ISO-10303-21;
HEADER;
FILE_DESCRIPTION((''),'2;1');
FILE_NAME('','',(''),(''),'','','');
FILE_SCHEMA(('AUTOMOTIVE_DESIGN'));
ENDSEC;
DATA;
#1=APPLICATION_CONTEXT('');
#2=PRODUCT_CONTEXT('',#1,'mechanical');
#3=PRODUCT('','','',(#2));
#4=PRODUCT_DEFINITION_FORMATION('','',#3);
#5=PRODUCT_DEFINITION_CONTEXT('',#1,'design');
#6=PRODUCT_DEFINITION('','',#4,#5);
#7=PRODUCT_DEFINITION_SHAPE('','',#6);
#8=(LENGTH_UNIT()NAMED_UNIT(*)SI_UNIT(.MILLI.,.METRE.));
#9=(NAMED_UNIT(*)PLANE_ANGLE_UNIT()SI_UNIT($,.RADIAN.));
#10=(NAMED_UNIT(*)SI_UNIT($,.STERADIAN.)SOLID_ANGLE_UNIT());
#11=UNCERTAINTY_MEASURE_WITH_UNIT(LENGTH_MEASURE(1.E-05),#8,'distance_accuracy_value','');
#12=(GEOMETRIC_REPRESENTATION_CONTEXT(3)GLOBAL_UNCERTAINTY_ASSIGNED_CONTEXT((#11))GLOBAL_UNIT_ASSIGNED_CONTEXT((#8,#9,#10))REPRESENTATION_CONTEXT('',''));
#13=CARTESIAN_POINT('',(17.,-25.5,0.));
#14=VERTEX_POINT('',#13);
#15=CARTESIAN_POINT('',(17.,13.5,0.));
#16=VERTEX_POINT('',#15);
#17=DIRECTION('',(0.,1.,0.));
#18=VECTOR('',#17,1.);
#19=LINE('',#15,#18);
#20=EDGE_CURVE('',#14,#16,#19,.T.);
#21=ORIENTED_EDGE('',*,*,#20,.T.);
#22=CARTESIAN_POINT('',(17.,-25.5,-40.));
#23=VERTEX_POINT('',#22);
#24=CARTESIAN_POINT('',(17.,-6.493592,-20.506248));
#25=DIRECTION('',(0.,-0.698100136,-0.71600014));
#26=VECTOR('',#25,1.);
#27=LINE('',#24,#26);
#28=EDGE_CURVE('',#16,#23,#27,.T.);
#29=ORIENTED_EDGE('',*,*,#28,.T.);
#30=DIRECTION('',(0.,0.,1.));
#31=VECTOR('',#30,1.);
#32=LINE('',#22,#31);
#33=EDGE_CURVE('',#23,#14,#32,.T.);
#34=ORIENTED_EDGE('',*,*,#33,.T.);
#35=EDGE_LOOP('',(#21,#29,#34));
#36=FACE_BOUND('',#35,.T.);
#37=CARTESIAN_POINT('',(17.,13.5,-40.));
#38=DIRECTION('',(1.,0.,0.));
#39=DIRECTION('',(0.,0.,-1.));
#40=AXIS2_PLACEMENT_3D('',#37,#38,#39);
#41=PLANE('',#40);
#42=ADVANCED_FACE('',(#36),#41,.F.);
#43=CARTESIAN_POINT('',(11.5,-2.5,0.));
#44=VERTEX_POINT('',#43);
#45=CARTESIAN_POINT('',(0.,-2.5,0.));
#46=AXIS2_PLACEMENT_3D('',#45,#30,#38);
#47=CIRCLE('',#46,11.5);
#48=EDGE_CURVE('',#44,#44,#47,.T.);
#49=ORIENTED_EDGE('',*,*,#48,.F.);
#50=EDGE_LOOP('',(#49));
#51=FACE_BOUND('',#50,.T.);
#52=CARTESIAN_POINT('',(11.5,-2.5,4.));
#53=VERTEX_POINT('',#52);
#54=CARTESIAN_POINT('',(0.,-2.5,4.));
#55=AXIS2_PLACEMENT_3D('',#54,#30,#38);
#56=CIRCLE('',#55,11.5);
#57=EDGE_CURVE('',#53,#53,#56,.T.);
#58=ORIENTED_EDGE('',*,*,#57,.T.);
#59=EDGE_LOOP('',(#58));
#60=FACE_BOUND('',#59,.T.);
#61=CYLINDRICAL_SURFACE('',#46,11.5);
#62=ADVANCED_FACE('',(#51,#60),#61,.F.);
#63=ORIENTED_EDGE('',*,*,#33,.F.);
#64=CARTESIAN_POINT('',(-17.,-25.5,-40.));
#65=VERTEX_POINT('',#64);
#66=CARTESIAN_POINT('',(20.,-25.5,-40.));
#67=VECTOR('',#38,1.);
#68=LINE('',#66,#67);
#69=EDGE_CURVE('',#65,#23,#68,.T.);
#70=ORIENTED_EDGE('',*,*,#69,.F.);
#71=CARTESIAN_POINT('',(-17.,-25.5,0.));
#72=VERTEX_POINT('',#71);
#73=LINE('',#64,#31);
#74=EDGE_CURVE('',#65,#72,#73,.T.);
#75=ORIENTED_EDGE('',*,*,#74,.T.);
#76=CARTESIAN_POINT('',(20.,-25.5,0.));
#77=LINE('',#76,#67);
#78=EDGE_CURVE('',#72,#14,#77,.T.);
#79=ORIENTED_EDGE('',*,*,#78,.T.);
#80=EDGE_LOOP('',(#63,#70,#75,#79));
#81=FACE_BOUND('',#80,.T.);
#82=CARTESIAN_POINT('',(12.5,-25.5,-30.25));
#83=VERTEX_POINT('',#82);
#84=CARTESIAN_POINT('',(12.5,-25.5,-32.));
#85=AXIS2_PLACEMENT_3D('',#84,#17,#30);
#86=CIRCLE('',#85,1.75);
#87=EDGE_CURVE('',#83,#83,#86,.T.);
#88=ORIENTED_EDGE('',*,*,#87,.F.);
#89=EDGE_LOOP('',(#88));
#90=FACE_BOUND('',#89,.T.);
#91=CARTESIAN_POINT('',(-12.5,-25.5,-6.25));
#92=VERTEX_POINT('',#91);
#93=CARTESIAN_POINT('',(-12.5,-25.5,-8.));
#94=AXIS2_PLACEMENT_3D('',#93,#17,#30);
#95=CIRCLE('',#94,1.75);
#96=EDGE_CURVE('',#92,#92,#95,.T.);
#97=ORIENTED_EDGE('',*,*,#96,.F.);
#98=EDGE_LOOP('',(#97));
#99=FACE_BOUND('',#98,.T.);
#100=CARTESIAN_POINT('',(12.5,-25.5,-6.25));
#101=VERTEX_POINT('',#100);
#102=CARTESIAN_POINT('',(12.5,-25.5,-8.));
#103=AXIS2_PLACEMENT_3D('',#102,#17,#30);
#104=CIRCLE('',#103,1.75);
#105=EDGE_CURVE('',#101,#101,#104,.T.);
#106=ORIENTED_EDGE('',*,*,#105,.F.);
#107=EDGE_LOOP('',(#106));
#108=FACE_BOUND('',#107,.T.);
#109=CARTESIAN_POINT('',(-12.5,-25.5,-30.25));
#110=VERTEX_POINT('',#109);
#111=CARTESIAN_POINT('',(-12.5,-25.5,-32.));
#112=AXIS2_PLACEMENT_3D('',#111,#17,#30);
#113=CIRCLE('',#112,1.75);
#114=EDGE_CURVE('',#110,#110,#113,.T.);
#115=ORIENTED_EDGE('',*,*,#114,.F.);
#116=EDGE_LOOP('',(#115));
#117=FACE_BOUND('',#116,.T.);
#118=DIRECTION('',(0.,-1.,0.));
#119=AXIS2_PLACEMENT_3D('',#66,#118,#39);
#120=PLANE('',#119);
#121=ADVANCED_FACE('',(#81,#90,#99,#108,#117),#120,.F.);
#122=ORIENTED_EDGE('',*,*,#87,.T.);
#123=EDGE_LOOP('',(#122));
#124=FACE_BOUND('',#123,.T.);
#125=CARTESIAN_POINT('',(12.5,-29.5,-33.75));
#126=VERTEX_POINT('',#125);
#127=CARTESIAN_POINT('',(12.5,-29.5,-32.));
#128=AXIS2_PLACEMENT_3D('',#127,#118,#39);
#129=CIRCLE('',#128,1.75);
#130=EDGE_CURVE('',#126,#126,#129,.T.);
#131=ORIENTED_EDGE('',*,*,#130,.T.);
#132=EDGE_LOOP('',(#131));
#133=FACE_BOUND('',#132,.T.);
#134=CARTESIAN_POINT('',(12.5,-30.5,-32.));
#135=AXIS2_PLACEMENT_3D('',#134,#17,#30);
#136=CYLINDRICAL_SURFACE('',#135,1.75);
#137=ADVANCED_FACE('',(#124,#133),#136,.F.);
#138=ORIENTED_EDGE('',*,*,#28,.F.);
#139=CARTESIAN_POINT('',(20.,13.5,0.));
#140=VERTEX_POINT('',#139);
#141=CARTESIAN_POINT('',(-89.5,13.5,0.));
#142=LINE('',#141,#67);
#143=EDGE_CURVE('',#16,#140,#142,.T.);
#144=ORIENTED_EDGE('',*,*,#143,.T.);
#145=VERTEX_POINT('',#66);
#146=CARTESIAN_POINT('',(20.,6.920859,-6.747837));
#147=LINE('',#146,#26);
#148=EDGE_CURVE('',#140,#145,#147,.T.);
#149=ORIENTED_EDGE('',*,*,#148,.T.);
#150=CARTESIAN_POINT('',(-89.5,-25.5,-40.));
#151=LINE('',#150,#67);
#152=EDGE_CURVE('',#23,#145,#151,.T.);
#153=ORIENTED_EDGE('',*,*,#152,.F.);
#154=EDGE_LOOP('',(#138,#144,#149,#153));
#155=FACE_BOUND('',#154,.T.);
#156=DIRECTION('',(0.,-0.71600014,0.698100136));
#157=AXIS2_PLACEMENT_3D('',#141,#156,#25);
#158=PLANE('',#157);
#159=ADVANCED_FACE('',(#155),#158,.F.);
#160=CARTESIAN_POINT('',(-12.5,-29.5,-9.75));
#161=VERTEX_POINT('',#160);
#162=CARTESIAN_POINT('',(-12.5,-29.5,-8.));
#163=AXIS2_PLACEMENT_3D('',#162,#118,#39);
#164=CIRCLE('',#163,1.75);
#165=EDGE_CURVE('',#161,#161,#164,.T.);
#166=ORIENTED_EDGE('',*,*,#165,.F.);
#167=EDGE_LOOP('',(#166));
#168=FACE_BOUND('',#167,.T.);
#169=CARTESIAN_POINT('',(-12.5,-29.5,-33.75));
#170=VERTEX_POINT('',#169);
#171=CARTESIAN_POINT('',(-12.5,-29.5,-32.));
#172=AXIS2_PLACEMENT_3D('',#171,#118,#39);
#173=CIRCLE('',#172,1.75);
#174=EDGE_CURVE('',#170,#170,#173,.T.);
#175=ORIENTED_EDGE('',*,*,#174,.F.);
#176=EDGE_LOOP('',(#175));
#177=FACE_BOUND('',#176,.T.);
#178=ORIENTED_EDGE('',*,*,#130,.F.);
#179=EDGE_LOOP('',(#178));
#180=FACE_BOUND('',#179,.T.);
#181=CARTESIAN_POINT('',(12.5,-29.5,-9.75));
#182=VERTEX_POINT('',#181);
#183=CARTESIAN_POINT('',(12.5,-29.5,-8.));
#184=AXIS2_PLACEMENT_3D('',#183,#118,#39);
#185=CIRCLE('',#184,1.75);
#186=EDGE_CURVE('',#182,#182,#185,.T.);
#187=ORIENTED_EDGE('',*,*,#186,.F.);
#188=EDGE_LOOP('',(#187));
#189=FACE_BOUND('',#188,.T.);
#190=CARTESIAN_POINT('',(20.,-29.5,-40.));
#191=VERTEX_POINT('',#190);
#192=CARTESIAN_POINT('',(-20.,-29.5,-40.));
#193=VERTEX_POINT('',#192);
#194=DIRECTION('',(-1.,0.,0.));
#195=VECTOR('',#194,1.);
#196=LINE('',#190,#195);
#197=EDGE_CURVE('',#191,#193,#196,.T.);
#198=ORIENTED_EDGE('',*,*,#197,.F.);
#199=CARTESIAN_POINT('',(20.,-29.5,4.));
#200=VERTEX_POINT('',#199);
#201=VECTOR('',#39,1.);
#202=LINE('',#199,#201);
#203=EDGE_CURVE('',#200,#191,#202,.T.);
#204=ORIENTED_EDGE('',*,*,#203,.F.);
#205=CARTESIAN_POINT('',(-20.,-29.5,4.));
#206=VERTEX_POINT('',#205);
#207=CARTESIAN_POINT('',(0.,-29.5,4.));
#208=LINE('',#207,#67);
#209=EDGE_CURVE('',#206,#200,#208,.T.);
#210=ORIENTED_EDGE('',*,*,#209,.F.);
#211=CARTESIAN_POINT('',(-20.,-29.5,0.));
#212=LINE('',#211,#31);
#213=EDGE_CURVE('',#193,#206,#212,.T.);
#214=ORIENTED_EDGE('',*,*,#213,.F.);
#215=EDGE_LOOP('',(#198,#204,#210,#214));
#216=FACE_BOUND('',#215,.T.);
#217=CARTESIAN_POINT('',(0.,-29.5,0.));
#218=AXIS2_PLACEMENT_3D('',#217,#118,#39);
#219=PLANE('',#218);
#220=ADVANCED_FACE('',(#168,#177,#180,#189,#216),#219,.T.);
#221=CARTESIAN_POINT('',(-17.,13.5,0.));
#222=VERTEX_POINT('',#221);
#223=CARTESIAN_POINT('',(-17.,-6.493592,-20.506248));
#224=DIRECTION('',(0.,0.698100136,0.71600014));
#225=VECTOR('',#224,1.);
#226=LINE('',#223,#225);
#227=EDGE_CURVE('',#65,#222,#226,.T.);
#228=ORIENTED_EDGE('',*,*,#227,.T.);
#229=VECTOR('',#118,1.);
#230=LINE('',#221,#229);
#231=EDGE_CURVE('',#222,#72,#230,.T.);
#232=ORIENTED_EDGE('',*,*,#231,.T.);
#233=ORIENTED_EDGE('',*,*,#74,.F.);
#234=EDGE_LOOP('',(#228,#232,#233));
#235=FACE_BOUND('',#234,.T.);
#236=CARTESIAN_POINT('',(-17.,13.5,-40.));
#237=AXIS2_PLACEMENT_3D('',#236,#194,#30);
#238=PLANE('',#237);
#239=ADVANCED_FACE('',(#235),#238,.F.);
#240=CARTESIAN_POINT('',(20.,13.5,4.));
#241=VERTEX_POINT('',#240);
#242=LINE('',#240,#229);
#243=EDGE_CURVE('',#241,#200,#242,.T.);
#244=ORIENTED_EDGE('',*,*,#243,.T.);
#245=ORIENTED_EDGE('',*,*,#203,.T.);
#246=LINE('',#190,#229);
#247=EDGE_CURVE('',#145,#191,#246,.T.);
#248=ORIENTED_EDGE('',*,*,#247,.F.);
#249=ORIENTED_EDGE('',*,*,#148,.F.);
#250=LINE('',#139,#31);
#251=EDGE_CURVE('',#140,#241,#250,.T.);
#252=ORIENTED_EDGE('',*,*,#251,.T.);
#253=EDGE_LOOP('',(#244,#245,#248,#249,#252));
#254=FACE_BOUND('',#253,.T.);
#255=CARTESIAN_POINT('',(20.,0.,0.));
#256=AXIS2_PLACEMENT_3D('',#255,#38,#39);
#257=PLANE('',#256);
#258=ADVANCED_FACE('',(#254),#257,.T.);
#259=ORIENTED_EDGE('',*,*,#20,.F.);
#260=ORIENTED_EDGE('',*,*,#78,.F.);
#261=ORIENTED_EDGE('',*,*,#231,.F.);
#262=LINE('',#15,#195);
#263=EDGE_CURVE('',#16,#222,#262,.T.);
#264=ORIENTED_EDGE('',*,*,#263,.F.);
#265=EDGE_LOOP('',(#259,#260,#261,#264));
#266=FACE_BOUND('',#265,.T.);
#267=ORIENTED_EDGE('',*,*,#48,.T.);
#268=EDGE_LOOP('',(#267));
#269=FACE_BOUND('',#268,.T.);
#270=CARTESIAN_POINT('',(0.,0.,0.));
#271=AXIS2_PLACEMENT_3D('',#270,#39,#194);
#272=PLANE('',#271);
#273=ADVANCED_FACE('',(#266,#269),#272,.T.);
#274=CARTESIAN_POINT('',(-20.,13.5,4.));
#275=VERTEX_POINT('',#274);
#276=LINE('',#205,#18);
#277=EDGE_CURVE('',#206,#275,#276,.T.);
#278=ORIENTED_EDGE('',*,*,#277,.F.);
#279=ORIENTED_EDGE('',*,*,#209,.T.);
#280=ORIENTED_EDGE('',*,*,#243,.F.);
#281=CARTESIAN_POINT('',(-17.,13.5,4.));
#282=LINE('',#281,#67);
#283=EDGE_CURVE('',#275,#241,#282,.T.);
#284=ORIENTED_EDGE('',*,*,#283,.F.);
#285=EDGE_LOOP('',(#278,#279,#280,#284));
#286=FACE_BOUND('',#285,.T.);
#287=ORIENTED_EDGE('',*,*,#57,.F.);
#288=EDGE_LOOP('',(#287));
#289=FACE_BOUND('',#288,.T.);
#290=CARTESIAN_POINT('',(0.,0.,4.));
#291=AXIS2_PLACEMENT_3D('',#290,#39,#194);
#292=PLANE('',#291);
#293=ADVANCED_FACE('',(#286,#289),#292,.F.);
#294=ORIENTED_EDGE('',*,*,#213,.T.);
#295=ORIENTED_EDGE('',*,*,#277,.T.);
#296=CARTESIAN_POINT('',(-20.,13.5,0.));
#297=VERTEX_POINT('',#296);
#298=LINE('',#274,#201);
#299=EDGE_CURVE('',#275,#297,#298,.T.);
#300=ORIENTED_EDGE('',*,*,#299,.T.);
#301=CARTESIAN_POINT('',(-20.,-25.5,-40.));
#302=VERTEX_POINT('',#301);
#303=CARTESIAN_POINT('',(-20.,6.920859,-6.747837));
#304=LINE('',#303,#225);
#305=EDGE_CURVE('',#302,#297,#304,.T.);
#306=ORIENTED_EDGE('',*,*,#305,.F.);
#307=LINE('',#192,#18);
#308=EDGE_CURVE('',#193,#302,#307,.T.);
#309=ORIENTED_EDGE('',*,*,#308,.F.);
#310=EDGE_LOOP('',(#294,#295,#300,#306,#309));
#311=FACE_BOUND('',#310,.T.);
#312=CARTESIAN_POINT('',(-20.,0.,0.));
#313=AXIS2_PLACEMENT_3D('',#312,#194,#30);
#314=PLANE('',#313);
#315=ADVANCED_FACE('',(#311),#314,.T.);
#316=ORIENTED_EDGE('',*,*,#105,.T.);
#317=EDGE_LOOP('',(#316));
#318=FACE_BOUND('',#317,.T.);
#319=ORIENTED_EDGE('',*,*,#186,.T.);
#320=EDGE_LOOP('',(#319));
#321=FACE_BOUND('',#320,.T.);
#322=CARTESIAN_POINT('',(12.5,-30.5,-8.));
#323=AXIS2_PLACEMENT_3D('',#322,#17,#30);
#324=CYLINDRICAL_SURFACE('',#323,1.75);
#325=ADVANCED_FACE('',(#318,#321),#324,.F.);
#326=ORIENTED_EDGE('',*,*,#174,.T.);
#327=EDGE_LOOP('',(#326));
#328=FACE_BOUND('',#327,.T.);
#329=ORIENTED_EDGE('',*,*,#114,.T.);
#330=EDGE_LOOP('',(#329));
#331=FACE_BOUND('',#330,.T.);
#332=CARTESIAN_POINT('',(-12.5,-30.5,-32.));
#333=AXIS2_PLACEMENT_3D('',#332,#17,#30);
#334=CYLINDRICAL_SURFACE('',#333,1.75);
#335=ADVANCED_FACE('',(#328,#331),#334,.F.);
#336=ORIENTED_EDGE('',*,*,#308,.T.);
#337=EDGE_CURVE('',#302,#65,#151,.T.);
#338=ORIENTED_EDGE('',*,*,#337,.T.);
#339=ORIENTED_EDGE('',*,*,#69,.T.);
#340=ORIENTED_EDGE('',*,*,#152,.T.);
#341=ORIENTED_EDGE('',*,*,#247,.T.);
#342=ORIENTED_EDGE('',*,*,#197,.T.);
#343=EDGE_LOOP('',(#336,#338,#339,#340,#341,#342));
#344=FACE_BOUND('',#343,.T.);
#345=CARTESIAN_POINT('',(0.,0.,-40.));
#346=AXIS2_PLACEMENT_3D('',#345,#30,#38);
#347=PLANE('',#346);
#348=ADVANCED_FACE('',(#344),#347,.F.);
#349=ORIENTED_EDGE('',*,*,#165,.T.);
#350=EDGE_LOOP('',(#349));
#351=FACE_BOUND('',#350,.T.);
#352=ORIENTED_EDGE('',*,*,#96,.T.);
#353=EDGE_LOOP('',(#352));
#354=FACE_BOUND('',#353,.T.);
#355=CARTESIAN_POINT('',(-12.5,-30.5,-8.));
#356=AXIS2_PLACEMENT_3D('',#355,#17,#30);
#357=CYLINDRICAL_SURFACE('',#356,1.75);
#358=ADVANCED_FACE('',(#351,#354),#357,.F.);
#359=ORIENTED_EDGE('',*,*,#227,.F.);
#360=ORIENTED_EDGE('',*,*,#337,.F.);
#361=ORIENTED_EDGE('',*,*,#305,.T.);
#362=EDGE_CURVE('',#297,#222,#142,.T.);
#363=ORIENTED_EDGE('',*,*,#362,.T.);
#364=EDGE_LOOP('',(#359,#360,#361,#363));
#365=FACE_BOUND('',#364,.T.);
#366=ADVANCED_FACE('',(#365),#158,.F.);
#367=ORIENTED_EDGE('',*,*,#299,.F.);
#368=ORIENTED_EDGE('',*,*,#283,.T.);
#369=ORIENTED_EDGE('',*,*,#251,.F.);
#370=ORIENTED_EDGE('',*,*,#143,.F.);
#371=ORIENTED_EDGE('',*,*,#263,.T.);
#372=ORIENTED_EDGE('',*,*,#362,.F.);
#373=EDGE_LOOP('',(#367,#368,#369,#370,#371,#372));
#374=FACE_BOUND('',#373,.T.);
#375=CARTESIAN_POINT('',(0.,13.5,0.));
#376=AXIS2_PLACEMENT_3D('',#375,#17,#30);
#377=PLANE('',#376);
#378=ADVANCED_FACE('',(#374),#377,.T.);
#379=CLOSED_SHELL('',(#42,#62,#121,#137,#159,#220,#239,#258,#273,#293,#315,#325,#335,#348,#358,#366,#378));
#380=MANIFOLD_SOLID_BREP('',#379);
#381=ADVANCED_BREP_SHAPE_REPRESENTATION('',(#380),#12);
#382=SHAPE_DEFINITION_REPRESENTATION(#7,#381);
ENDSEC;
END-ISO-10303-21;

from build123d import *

# Parameters (mm, degrees)
SKETCH_1_W           = 34
SKETCH_1_H           = 51
EXTRUDE_1_DEPTH      = 4
SKETCH_2_R           = 11.5
CUT_EXTRUDE_1_DEPTH  = 31.907118921
SKETCH_5_W           = 34
SKETCH_5_H           = 15
EXTRUDE_2_DEPTH      = 4
SKETCH_6_R           = 1.5
CUT_EXTRUDE_3_DEPTH  = 4
SKETCH_12_W          = 34
SKETCH_12_H          = 4
CUT_EXTRUDE_5_DEPTH  = 5
SKETCH_13_W          = 34
SKETCH_13_H          = 4
CUT_EXTRUDE_6_DEPTH  = 7
SKETCH_14_W          = 34
SKETCH_14_H          = 4
EXTRUDE_3_DEPTH      = 33
SKETCH_15_R          = 1.75
CUT_EXTRUDE_7_DEPTH  = 44
EXTRUDE_4_DEPTH      = 3
EXTRUDE_5_DEPTH      = 3
SKETCH_18_R          = 1.75
EXTRUDE_6_DEPTH      = 4
EXTRUDE_7_DEPTH      = 5
SKETCH_20_W          = 63.510352062
SKETCH_20_H          = 72.285945639
CUT_EXTRUDE_10_DEPTH = 67
SKETCH_21_W          = 4
SKETCH_21_H          = 43
EXTRUDE_8_DEPTH      = 3
SKETCH_22_W          = 4
SKETCH_22_H          = 43
EXTRUDE_9_DEPTH      = 3
SKETCH_23_W          = 40
SKETCH_23_H          = 4
EXTRUDE_10_DEPTH     = 40
SKETCH_24_W          = 3
SKETCH_24_H          = 39
EXTRUDE_11_DEPTH     = 40
CUT_EXTRUDE_11_DEPTH = 72.5
SKETCH_26_R          = 1.75
CUT_EXTRUDE_12_DEPTH = 5


with BuildPart() as part:
    # 草图1 → 凸台-拉伸1 (new body)
    with BuildSketch(Plane.XY):
        Rectangle(SKETCH_1_W, SKETCH_1_H)
    extrude(amount=EXTRUDE_1_DEPTH)

    # 草图2 → 切除-拉伸1 (cut, through all)
    with BuildSketch(Plane.XY.offset(4)):
        with Locations((0, -2.5)):
            Circle(SKETCH_2_R)
    extrude(amount=-CUT_EXTRUDE_1_DEPTH, mode=Mode.SUBTRACT)

    # 草图5 → 凸台-拉伸2 (add)
    with BuildSketch(Plane.XZ.offset(25.5)):
        with Locations((0, 7.5)):
            Rectangle(SKETCH_5_W, SKETCH_5_H)
    extrude(amount=EXTRUDE_2_DEPTH)

    # 草图6 → 切除-拉伸3 (cut)
    with BuildSketch(Plane.XZ.offset(29.5)):
        with Locations(Location((13, 7.5, 0), (0, 0, 270))):
            Circle(SKETCH_6_R)
        with Locations(Location((-13, 7.5, 0), (0, 0, 90))):
            Circle(SKETCH_6_R)
    extrude(amount=-CUT_EXTRUDE_3_DEPTH, mode=Mode.SUBTRACT)

    # 草图12 → 切除-拉伸5 (cut)
    with BuildSketch(Plane(origin=(0, 25.5, 0), x_dir=(1, 0, 0), z_dir=(0, 1, 0))):
        with Locations((0, -2)):
            Rectangle(SKETCH_12_W, SKETCH_12_H)
    extrude(amount=-CUT_EXTRUDE_5_DEPTH, mode=Mode.SUBTRACT)

    # 草图13 → 切除-拉伸6 (cut)
    with BuildSketch(Plane(origin=(0, 20.5, 0), x_dir=(1, 0, 0), z_dir=(0, 1, 0))):
        with Locations((0, -2)):
            Rectangle(SKETCH_13_W, SKETCH_13_H)
    extrude(amount=-CUT_EXTRUDE_6_DEPTH, mode=Mode.SUBTRACT)

    # 草图14 → 凸台-拉伸3 (add)
    with BuildSketch(Plane.XY.offset(15)):
        with Locations((0, -27.5)):
            Rectangle(SKETCH_14_W, SKETCH_14_H)
    extrude(amount=EXTRUDE_3_DEPTH)

    # 草图15 → 切除-拉伸7 (cut)
    with BuildSketch(Plane(origin=(0, -25.5, 0), x_dir=(1, 0, 0), z_dir=(0, 1, 0))):
        with Locations(Location((13, -40.5, 0), (0, 0, 270))):
            Circle(SKETCH_15_R)
        with Locations(Location((-13, -40.5, 0), (0, 0, 270))):
            Circle(SKETCH_15_R)
    extrude(amount=-CUT_EXTRUDE_7_DEPTH, mode=Mode.SUBTRACT)

    # 草图16 → 凸台-拉伸4 (add)
    with BuildSketch(Plane.ZY.offset(17)):
        Polygon((4, -25.5), (4, -6), (24, -25.5), align=None)
    extrude(amount=-EXTRUDE_4_DEPTH)

    # 草图17 → 凸台-拉伸5 (add)
    with BuildSketch(Plane(origin=(17, 0, 0), x_dir=(0, 0, -1), z_dir=(1, 0, 0))):
        Polygon((-24, -25.5), (-4, -6), (-4, -25.5), align=None)
    extrude(amount=-EXTRUDE_5_DEPTH)

    # 草图18 → 凸台-拉伸6 (add)
    with BuildSketch(Plane(origin=(0, -25.5, 0), x_dir=(1, 0, 0), z_dir=(0, 1, 0))):
        with BuildLine():
            Line((20.499000769, -32.499999751), (17, -24))
            Line((17, -24), (-17, -24))
            Line((-17, -24), (-20.500999231, -32.499999751))
            Line((-20.500999231, -32.499999751), (-20.500999231, -40.499999751))
            ThreePointArc((-20.500999231, -40.499999751), (-17.718513652, -47.217514172), (-11.000999231, -49.999999751))
            Line((-11.000999231, -49.999999751), (10.999000769, -49.999999751))
            ThreePointArc((10.999000769, -49.999999751), (17.71651519, -47.217514172), (20.499000769, -40.499999751))
            Line((20.499000769, -40.499999751), (20.499000769, -32.499999751))
        make_face()
        with Locations(Location((-13, -40.5, 0), (0, 0, 270))):
            Circle(SKETCH_18_R, mode=Mode.SUBTRACT)
        with Locations(Location((13, -40.5, 0), (0, 0, 270))):
            Circle(SKETCH_18_R, mode=Mode.SUBTRACT)
    extrude(amount=-EXTRUDE_6_DEPTH)

    # 草图19 → 凸台-拉伸7 (add)
    with BuildSketch(Plane(origin=(0, -25.5, 0), x_dir=(1, 0, 0), z_dir=(0, 1, 0))):
        Polygon((-20.500999231, -32.499999751), (-17.500999231, -32.499999751), (-14, -24), (-14, -16), (-17, -16), (-17, -24), align=None)
        Polygon((17, -24), (20.499000769, -32.499999751), (17.499000769, -32.499999751), (14, -24), (14, -16), (17, -16), align=None)
    extrude(amount=EXTRUDE_7_DEPTH)

    # 草图20 → 切除-拉伸10 (cut)
    with BuildSketch(Plane.XY.offset(4)):
        with Locations((0, -7.757033155)):
            Rectangle(SKETCH_20_W, SKETCH_20_H)
    extrude(amount=CUT_EXTRUDE_10_DEPTH, mode=Mode.SUBTRACT)

    # 草图21 → 凸台-拉伸8 (add)
    with BuildSketch(Plane(origin=(17, 0, 0), x_dir=(0, 0, -1), z_dir=(1, 0, 0))):
        with Locations((-2, -8)):
            Rectangle(SKETCH_21_W, SKETCH_21_H)
    extrude(amount=EXTRUDE_8_DEPTH)

    # 草图22 → 凸台-拉伸9 (add)
    with BuildSketch(Plane.ZY.offset(17)):
        with Locations((2, -8)):
            Rectangle(SKETCH_22_W, SKETCH_22_H)
    extrude(amount=EXTRUDE_9_DEPTH)

    # 草图23 → 凸台-拉伸10 (add)
    with BuildSketch(Plane(origin=(0, 0, 0), x_dir=(-1, 0, 0), z_dir=(0, 0, -1))):
        with Locations((0, -27.5)):
            Rectangle(SKETCH_23_W, SKETCH_23_H)
    extrude(amount=EXTRUDE_10_DEPTH)

    # 草图24 → 凸台-拉伸11 (add)
    with BuildSketch(Plane(origin=(0, 0, 0), x_dir=(-1, 0, 0), z_dir=(0, 0, -1))):
        with Locations((18.5, -6)):
            Rectangle(SKETCH_24_W, SKETCH_24_H)
        with Locations((-18.5, -6)):
            Rectangle(SKETCH_24_W, SKETCH_24_H)
    extrude(amount=EXTRUDE_11_DEPTH)

    # 草图25 → 切除-拉伸11 (cut, symmetric)
    with BuildSketch(Plane(origin=(-17, 0, 0), x_dir=(0, 0, -1), z_dir=(1, 0, 0))):
        Polygon((0, 13.5), (40, -25.5), (40, 13.5), align=None)
    extrude(amount=CUT_EXTRUDE_11_DEPTH, both=True, mode=Mode.SUBTRACT)

    # 草图26 → 切除-拉伸12 (cut)
    with BuildSketch(Plane(origin=(0, -25.5, 0), x_dir=(1, 0, 0), z_dir=(0, 1, 0))):
        with Locations(Location((-12.5, 32, 0), (0, 0, 270))):
            Circle(SKETCH_26_R)
        with Locations(Location((12.5, 32, 0), (0, 0, 270))):
            Circle(SKETCH_26_R)
        with Locations(Location((12.5, 8, 0), (0, 0, 270))):
            Circle(SKETCH_26_R)
        with Locations(Location((-12.5, 8, 0), (0, 0, 270))):
            Circle(SKETCH_26_R)
    extrude(amount=-CUT_EXTRUDE_12_DEPTH, mode=Mode.SUBTRACT)


solid = part.part
